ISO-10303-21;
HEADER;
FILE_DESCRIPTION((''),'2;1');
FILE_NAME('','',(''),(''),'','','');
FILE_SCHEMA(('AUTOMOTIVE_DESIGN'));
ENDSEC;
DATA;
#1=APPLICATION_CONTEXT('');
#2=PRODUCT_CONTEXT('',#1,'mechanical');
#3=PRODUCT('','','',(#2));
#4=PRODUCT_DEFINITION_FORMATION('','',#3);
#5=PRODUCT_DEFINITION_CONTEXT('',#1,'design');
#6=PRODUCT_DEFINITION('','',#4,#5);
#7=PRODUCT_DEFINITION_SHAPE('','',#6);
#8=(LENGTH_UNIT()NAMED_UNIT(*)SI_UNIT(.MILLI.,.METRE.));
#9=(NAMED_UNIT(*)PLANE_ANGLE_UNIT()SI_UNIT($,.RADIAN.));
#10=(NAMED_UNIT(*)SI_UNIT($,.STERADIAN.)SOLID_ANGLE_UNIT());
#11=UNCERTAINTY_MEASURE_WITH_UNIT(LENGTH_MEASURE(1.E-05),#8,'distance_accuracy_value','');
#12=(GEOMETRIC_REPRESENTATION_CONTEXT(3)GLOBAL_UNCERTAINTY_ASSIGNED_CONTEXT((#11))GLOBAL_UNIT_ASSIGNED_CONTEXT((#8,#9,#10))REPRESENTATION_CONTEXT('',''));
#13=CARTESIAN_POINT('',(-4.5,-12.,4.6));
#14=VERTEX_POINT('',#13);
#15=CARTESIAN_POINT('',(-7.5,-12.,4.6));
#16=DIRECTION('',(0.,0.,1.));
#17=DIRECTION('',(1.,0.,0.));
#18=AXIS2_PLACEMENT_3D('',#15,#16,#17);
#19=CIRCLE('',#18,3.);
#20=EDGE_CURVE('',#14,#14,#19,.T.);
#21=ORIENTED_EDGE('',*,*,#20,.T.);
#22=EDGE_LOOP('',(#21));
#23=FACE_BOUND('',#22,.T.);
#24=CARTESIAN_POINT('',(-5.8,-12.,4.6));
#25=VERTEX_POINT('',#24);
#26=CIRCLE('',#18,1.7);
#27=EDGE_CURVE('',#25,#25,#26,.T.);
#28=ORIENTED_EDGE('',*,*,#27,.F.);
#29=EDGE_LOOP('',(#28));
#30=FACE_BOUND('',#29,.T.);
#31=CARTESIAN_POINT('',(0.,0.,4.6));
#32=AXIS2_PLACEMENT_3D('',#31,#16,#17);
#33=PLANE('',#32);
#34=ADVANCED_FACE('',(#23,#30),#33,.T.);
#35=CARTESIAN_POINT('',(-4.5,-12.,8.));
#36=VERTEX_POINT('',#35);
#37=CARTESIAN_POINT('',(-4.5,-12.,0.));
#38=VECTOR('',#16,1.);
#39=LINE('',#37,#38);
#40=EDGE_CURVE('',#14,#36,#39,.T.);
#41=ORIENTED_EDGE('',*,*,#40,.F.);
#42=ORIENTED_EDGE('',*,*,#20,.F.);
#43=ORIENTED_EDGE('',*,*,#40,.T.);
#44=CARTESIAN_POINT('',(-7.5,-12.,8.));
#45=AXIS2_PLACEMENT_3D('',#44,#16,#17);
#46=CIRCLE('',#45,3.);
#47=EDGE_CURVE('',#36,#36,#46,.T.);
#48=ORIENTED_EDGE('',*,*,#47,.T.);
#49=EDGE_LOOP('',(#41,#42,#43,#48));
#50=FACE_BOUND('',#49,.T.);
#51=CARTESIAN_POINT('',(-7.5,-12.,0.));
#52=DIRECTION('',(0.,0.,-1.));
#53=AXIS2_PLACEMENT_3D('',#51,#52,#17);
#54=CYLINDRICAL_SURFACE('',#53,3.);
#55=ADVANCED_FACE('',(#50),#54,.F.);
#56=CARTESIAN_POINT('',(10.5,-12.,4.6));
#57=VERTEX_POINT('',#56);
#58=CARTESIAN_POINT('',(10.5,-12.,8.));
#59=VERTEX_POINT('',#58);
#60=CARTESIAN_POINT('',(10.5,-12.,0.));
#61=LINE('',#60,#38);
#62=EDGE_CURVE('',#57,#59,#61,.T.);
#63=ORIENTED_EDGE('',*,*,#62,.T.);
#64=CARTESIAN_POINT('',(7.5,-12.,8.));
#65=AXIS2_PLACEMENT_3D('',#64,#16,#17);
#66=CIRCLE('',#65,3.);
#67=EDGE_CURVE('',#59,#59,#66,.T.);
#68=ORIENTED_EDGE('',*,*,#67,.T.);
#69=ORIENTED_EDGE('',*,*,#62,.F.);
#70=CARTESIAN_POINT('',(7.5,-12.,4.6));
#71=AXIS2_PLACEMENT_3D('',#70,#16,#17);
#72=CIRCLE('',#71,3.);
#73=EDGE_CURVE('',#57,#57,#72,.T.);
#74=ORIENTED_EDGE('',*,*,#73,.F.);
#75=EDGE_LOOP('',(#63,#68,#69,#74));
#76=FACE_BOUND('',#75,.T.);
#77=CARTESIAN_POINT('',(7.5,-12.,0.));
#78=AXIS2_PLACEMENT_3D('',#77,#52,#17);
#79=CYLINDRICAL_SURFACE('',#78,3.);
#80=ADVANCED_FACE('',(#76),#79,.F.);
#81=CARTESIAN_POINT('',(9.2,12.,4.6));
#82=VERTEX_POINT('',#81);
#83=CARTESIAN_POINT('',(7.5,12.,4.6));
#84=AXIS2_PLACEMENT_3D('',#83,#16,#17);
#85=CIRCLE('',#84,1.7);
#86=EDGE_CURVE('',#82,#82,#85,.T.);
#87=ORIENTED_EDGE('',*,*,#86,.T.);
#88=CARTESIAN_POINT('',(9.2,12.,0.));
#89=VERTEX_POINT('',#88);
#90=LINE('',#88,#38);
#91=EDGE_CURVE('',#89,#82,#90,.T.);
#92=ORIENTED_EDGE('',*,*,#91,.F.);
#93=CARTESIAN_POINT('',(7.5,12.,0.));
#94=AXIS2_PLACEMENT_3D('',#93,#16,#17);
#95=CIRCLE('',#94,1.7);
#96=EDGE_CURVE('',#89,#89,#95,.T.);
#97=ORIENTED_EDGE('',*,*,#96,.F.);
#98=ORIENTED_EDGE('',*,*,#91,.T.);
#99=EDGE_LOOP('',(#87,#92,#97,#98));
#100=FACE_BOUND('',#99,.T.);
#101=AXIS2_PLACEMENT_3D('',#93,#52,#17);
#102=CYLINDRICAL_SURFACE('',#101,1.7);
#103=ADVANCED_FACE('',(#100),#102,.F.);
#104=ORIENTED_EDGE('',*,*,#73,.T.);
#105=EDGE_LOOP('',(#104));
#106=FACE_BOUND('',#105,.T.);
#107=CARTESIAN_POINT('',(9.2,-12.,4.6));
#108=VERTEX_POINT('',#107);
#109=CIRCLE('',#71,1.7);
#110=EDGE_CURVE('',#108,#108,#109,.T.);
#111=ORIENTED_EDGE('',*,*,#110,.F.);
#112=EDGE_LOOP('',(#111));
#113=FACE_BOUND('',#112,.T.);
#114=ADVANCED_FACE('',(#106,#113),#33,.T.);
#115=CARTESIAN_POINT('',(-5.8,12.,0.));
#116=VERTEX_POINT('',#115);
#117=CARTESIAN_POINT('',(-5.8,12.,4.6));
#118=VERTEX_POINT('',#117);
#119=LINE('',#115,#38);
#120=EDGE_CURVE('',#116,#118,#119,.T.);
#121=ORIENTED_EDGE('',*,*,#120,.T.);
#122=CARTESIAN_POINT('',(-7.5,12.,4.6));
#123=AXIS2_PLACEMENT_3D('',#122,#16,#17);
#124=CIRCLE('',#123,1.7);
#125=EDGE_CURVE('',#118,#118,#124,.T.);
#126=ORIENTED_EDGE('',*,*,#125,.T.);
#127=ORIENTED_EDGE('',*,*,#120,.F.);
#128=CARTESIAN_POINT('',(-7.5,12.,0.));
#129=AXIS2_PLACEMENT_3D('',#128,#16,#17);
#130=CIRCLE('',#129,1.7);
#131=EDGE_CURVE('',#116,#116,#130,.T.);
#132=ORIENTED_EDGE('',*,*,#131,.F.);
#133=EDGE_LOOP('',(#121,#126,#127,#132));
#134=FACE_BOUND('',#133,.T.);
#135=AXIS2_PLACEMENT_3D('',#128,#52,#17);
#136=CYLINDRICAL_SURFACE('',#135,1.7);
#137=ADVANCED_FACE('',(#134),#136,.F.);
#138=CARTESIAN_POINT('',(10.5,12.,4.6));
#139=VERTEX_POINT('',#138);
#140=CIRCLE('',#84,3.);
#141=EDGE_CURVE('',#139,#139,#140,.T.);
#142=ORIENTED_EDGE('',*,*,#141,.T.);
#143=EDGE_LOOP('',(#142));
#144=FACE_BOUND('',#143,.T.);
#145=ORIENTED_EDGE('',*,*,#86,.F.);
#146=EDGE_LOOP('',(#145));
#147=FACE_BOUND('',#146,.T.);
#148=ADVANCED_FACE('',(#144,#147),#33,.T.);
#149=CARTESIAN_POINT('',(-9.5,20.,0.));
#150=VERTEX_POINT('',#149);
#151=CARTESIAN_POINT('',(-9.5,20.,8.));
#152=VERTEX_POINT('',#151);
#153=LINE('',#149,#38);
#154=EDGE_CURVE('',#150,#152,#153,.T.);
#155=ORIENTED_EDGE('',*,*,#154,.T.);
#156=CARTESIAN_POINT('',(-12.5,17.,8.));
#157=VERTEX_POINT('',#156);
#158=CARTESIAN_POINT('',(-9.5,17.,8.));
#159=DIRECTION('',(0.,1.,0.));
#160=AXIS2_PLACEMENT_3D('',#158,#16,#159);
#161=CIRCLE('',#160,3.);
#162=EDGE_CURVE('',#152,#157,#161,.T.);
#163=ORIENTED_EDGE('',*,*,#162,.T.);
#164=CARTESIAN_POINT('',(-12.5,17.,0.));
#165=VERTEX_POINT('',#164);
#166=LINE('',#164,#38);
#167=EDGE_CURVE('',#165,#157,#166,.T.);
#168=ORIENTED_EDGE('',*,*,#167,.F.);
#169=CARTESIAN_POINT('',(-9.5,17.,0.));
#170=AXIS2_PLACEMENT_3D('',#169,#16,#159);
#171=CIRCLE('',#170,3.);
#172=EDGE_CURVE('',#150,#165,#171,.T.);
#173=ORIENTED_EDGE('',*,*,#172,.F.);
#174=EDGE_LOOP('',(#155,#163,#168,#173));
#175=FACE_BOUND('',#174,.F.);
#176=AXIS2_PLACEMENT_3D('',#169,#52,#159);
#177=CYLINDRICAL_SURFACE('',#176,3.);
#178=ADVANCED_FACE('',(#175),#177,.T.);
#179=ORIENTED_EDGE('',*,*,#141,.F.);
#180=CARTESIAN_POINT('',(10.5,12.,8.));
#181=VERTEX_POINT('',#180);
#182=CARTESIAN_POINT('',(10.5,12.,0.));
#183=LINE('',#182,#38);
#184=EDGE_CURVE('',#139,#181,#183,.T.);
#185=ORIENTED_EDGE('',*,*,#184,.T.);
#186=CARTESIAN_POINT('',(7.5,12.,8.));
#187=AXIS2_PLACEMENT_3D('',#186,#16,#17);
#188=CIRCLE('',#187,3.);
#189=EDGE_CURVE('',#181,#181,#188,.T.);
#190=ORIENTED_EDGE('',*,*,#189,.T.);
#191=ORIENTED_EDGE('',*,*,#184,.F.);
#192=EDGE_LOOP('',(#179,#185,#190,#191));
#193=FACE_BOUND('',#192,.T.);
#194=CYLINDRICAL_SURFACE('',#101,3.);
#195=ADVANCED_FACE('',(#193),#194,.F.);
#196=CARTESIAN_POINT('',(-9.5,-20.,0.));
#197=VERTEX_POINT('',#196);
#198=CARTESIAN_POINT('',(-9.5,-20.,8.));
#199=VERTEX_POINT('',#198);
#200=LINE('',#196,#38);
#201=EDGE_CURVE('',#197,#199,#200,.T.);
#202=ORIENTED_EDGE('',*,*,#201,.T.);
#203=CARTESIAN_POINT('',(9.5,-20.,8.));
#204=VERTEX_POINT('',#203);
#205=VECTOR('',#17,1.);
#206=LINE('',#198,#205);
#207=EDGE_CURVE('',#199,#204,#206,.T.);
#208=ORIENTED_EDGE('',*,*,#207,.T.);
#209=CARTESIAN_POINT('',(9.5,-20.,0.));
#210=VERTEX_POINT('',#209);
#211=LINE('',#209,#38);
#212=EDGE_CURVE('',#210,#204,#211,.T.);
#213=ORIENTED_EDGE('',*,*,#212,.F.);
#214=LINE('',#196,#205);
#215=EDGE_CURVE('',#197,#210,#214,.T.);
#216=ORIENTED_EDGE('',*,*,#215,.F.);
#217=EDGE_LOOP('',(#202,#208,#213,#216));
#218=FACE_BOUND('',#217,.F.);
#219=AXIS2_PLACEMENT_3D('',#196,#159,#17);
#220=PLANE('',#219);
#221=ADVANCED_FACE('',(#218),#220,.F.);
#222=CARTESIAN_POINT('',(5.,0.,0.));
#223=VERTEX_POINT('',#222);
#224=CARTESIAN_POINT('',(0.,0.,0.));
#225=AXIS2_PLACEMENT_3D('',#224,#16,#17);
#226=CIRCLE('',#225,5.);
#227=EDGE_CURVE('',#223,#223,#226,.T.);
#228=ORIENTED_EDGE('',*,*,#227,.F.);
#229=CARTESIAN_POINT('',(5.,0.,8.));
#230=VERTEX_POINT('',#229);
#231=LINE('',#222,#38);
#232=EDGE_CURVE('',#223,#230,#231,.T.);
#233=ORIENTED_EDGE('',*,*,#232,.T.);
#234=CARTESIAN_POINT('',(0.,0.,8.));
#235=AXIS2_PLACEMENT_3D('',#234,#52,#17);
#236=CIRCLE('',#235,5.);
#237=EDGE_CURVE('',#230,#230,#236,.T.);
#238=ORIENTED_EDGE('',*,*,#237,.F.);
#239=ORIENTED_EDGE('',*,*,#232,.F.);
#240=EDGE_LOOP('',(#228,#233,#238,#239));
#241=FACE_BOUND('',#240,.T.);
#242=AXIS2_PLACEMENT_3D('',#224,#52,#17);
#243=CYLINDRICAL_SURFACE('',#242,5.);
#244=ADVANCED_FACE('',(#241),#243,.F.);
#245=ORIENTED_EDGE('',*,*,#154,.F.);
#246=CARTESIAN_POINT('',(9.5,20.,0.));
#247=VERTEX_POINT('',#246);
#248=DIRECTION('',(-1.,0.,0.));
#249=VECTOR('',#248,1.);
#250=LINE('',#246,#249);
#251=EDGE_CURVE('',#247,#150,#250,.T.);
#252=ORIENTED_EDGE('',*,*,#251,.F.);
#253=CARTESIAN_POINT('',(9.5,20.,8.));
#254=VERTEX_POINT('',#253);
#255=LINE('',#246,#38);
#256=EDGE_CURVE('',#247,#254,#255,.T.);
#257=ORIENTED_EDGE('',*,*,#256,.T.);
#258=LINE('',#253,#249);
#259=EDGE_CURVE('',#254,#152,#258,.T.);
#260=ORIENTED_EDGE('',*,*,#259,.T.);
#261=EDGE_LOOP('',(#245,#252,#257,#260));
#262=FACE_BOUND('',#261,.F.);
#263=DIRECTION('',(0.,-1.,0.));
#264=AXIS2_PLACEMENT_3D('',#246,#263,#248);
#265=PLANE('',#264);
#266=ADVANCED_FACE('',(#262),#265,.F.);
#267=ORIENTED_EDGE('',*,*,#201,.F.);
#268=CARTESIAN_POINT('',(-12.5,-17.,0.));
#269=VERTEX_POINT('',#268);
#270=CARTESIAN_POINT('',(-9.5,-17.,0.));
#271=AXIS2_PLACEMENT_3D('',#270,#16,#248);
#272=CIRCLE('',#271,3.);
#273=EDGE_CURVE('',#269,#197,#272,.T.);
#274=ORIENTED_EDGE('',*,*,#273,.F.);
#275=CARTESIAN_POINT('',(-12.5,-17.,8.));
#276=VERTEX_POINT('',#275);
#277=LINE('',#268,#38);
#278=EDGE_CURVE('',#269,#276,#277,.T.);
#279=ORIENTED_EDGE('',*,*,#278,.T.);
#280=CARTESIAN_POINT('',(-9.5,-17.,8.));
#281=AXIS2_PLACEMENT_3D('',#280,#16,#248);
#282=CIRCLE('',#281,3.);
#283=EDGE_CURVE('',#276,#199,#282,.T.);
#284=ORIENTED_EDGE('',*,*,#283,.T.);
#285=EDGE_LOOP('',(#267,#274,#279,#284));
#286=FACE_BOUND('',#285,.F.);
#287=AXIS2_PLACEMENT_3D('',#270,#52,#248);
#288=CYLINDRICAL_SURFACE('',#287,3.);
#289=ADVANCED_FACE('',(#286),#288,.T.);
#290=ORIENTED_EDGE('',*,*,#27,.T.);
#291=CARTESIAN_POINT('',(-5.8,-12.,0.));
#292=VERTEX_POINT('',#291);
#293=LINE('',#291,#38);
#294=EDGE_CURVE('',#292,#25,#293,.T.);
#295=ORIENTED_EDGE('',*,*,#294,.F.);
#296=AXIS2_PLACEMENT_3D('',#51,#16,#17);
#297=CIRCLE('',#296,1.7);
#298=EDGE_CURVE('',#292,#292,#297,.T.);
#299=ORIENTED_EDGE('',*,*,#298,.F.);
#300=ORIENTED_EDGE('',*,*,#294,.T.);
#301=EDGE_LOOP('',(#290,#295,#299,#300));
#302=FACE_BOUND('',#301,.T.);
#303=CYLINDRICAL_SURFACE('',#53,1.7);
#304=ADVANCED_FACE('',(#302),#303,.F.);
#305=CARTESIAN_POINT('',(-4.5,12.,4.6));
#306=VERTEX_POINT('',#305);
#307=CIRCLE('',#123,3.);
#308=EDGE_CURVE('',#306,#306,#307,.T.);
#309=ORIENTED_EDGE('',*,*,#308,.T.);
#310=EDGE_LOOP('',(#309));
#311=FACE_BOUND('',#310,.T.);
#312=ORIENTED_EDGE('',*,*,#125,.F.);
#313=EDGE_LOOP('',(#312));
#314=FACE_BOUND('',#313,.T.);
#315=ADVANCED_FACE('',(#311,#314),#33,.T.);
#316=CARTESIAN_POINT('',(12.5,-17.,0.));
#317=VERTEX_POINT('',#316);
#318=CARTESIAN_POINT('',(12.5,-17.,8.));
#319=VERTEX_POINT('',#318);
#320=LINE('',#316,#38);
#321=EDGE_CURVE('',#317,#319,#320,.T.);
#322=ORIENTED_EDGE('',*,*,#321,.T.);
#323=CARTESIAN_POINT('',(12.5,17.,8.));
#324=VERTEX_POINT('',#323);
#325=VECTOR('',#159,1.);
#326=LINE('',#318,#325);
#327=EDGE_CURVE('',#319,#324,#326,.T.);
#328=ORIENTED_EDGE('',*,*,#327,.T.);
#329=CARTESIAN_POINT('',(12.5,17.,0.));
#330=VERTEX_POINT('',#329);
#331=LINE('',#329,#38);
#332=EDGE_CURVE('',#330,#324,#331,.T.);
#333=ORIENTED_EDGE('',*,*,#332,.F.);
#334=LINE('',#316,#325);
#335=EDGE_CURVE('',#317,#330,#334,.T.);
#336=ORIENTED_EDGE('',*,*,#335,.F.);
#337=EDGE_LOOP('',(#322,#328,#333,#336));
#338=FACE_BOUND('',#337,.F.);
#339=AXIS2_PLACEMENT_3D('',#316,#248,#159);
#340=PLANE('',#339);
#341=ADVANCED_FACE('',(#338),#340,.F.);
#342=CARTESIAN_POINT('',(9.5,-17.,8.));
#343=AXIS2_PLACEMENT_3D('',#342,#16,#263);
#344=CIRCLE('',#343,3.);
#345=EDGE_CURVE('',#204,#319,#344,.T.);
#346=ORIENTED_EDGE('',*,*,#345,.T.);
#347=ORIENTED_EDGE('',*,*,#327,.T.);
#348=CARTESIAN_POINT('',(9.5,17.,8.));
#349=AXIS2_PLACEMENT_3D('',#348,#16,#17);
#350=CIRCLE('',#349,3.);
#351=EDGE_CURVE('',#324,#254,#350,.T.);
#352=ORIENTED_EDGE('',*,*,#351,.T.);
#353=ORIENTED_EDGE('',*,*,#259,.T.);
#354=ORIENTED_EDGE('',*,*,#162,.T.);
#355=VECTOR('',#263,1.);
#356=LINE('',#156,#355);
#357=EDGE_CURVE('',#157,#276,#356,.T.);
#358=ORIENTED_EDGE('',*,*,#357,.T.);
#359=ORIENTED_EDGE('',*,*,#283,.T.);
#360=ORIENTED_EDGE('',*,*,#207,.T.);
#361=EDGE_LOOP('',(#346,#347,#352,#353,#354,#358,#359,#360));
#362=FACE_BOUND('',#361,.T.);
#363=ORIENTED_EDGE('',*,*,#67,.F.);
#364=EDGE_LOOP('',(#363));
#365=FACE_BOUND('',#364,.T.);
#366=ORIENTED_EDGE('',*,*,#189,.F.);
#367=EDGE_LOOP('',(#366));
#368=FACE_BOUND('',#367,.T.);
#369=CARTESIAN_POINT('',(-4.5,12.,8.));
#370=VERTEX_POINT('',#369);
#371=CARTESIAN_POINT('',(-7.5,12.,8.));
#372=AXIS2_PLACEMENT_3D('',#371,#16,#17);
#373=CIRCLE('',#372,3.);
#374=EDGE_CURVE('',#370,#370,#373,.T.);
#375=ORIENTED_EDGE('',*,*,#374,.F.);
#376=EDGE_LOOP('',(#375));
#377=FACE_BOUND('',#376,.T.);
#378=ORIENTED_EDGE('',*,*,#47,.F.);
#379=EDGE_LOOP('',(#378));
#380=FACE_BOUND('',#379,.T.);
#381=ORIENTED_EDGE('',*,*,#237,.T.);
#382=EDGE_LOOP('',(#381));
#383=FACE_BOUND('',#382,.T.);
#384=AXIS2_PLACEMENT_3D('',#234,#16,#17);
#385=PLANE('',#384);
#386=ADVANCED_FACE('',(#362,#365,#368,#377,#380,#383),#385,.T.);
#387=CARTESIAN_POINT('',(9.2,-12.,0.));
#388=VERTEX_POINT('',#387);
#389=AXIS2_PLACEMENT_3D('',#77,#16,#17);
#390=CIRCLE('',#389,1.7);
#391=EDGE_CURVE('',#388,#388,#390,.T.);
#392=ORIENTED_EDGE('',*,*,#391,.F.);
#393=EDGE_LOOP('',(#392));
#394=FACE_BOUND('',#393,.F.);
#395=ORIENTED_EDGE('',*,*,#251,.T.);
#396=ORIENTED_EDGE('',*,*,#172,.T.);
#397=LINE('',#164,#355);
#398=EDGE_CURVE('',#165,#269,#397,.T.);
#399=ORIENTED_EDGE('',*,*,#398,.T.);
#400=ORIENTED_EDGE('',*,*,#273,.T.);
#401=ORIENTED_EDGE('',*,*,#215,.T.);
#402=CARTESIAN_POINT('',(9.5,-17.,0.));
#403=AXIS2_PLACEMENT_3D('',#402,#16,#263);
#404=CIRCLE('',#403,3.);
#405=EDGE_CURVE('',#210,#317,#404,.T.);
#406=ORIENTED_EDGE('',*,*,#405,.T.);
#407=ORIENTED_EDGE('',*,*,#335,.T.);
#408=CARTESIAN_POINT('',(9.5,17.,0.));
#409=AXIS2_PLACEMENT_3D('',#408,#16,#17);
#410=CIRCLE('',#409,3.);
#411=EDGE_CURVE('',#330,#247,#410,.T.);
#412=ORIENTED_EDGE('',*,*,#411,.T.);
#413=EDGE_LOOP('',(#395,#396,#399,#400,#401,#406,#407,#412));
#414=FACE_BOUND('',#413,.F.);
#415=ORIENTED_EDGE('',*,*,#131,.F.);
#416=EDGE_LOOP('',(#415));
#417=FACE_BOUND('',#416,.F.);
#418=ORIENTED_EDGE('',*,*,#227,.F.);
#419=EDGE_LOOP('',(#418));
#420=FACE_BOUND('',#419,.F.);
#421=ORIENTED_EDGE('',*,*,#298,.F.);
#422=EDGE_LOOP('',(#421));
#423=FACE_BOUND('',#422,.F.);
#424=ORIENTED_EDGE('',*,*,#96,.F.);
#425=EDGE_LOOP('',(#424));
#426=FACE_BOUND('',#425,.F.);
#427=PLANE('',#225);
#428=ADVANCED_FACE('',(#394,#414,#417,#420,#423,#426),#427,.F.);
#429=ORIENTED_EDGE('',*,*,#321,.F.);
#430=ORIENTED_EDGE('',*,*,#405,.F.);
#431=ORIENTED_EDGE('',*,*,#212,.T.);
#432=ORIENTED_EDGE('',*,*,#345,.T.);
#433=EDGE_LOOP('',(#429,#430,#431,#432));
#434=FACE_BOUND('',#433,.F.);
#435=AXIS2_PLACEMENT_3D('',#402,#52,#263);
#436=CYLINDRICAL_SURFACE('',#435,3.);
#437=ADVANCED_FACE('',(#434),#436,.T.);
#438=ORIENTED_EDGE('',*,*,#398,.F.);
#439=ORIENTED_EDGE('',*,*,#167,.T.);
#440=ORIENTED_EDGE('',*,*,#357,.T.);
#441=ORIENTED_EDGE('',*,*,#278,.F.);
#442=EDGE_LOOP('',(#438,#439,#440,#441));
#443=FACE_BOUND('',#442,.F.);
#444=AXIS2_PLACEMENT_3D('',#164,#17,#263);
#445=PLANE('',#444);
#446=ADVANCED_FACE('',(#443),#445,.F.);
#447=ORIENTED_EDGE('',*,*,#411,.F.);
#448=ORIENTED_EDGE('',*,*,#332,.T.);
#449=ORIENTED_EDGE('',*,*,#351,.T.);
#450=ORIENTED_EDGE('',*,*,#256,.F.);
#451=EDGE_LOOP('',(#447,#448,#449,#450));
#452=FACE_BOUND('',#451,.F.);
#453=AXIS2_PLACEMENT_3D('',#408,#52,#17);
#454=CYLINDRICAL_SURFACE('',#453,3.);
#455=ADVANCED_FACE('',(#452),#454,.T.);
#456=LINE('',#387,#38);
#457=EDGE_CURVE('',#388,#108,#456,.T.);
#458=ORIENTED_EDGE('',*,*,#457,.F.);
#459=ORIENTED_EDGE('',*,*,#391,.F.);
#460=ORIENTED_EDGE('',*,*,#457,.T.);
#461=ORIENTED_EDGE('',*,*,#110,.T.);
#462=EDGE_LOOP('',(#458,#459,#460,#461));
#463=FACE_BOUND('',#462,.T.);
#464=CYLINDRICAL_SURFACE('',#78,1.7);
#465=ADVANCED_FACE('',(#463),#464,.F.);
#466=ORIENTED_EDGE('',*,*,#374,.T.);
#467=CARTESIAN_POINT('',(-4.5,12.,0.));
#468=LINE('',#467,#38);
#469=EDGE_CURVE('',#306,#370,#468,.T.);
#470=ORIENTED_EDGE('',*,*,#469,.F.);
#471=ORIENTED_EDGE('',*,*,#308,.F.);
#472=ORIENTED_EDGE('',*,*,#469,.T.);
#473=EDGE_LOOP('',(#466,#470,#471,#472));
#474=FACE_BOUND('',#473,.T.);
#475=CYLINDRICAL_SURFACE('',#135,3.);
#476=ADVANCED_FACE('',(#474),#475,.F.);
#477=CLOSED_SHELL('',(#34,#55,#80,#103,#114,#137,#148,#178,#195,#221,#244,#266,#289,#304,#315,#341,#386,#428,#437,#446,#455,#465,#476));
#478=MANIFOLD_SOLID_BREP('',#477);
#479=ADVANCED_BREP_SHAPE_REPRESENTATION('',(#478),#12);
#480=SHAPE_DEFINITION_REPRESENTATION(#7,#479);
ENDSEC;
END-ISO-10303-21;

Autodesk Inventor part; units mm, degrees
ref_plane "YZ Plane" through (0, 0, 0) normal (1, 0, 0) x (0, 1, 0)
ref_plane "XZ Plane" through (0, 0, 0) normal (0, 1, 0) x (-1, 0, 0)
ref_plane "XY Plane" through (0, 0, 0) normal (0, 0, 1) x (1, 0, 0)
sketch "Skizze2" plane through (0, 0, 0) normal (0, 0, 1) x (1, 0, 0)
  line L0 (-9.5, -20) -> (9.5, -20)
  line L1 (12.5, -17) -> (12.5, 17)
  line L2 (9.5, 20) -> (-9.5, 20)
  line L3 (-12.5, 17) -> (-12.5, -17)
  line L4 (-12.5, -20) -> (12.5, 20) construction
  line L5 (12.5, -20) -> (-12.5, 20) construction
  circle A0 centre (0, 0) radius 5
  circle A1 centre (7.5, -12) radius 1.7
  circle A2 centre (-7.5, -12) radius 1.7
  circle A3 centre (7.5, 12) radius 1.7
  circle A4 centre (-7.5, 12) radius 1.7
  circle A5 centre (-7.5, 12) radius 3
  circle A6 centre (7.5, 12) radius 3
  circle A7 centre (7.5, -12) radius 3
  circle A8 centre (-7.5, -12) radius 3
  arc A9 (-12.5, -17) -> (-9.5, -20) centre (-9.5, -17) ccw
  arc A10 (9.5, -20) -> (12.5, -17) centre (9.5, -17) ccw
  arc A11 (12.5, 17) -> (9.5, 20) centre (9.5, 17) ccw
  arc A12 (-9.5, 20) -> (-12.5, 17) centre (-9.5, 17) ccw
  dimension "d0" = 40
  dimension "d1" = 25
  dimension "d9" = 10
  dimension "d11" = 3.4
  dimension "d12" = 3.4
  dimension "d13" = 3.4
  dimension "d14" = 3.4
  dimension "d15" = 15
  dimension "d16" = 24
  dimension "d17" = 6
  dimension "d18" = 6
  dimension "d19" = 6
  dimension "d20" = 6
  dimension "d21" = 3
extrude "Extrusion1" add sketch "Skizze2" along normal blind 8 contours A9 L3 A12 L2 A11 L1 A10 L0 | A0
extrude "Extrusion3" add sketch "Skizze2" along normal blind 4.6 contours A5 | A6 | A7 | A8
extrude "Extrusion4" cut sketch "Skizze2" along normal through all contours A0
properties part number "Adapterplatte_Focus"
